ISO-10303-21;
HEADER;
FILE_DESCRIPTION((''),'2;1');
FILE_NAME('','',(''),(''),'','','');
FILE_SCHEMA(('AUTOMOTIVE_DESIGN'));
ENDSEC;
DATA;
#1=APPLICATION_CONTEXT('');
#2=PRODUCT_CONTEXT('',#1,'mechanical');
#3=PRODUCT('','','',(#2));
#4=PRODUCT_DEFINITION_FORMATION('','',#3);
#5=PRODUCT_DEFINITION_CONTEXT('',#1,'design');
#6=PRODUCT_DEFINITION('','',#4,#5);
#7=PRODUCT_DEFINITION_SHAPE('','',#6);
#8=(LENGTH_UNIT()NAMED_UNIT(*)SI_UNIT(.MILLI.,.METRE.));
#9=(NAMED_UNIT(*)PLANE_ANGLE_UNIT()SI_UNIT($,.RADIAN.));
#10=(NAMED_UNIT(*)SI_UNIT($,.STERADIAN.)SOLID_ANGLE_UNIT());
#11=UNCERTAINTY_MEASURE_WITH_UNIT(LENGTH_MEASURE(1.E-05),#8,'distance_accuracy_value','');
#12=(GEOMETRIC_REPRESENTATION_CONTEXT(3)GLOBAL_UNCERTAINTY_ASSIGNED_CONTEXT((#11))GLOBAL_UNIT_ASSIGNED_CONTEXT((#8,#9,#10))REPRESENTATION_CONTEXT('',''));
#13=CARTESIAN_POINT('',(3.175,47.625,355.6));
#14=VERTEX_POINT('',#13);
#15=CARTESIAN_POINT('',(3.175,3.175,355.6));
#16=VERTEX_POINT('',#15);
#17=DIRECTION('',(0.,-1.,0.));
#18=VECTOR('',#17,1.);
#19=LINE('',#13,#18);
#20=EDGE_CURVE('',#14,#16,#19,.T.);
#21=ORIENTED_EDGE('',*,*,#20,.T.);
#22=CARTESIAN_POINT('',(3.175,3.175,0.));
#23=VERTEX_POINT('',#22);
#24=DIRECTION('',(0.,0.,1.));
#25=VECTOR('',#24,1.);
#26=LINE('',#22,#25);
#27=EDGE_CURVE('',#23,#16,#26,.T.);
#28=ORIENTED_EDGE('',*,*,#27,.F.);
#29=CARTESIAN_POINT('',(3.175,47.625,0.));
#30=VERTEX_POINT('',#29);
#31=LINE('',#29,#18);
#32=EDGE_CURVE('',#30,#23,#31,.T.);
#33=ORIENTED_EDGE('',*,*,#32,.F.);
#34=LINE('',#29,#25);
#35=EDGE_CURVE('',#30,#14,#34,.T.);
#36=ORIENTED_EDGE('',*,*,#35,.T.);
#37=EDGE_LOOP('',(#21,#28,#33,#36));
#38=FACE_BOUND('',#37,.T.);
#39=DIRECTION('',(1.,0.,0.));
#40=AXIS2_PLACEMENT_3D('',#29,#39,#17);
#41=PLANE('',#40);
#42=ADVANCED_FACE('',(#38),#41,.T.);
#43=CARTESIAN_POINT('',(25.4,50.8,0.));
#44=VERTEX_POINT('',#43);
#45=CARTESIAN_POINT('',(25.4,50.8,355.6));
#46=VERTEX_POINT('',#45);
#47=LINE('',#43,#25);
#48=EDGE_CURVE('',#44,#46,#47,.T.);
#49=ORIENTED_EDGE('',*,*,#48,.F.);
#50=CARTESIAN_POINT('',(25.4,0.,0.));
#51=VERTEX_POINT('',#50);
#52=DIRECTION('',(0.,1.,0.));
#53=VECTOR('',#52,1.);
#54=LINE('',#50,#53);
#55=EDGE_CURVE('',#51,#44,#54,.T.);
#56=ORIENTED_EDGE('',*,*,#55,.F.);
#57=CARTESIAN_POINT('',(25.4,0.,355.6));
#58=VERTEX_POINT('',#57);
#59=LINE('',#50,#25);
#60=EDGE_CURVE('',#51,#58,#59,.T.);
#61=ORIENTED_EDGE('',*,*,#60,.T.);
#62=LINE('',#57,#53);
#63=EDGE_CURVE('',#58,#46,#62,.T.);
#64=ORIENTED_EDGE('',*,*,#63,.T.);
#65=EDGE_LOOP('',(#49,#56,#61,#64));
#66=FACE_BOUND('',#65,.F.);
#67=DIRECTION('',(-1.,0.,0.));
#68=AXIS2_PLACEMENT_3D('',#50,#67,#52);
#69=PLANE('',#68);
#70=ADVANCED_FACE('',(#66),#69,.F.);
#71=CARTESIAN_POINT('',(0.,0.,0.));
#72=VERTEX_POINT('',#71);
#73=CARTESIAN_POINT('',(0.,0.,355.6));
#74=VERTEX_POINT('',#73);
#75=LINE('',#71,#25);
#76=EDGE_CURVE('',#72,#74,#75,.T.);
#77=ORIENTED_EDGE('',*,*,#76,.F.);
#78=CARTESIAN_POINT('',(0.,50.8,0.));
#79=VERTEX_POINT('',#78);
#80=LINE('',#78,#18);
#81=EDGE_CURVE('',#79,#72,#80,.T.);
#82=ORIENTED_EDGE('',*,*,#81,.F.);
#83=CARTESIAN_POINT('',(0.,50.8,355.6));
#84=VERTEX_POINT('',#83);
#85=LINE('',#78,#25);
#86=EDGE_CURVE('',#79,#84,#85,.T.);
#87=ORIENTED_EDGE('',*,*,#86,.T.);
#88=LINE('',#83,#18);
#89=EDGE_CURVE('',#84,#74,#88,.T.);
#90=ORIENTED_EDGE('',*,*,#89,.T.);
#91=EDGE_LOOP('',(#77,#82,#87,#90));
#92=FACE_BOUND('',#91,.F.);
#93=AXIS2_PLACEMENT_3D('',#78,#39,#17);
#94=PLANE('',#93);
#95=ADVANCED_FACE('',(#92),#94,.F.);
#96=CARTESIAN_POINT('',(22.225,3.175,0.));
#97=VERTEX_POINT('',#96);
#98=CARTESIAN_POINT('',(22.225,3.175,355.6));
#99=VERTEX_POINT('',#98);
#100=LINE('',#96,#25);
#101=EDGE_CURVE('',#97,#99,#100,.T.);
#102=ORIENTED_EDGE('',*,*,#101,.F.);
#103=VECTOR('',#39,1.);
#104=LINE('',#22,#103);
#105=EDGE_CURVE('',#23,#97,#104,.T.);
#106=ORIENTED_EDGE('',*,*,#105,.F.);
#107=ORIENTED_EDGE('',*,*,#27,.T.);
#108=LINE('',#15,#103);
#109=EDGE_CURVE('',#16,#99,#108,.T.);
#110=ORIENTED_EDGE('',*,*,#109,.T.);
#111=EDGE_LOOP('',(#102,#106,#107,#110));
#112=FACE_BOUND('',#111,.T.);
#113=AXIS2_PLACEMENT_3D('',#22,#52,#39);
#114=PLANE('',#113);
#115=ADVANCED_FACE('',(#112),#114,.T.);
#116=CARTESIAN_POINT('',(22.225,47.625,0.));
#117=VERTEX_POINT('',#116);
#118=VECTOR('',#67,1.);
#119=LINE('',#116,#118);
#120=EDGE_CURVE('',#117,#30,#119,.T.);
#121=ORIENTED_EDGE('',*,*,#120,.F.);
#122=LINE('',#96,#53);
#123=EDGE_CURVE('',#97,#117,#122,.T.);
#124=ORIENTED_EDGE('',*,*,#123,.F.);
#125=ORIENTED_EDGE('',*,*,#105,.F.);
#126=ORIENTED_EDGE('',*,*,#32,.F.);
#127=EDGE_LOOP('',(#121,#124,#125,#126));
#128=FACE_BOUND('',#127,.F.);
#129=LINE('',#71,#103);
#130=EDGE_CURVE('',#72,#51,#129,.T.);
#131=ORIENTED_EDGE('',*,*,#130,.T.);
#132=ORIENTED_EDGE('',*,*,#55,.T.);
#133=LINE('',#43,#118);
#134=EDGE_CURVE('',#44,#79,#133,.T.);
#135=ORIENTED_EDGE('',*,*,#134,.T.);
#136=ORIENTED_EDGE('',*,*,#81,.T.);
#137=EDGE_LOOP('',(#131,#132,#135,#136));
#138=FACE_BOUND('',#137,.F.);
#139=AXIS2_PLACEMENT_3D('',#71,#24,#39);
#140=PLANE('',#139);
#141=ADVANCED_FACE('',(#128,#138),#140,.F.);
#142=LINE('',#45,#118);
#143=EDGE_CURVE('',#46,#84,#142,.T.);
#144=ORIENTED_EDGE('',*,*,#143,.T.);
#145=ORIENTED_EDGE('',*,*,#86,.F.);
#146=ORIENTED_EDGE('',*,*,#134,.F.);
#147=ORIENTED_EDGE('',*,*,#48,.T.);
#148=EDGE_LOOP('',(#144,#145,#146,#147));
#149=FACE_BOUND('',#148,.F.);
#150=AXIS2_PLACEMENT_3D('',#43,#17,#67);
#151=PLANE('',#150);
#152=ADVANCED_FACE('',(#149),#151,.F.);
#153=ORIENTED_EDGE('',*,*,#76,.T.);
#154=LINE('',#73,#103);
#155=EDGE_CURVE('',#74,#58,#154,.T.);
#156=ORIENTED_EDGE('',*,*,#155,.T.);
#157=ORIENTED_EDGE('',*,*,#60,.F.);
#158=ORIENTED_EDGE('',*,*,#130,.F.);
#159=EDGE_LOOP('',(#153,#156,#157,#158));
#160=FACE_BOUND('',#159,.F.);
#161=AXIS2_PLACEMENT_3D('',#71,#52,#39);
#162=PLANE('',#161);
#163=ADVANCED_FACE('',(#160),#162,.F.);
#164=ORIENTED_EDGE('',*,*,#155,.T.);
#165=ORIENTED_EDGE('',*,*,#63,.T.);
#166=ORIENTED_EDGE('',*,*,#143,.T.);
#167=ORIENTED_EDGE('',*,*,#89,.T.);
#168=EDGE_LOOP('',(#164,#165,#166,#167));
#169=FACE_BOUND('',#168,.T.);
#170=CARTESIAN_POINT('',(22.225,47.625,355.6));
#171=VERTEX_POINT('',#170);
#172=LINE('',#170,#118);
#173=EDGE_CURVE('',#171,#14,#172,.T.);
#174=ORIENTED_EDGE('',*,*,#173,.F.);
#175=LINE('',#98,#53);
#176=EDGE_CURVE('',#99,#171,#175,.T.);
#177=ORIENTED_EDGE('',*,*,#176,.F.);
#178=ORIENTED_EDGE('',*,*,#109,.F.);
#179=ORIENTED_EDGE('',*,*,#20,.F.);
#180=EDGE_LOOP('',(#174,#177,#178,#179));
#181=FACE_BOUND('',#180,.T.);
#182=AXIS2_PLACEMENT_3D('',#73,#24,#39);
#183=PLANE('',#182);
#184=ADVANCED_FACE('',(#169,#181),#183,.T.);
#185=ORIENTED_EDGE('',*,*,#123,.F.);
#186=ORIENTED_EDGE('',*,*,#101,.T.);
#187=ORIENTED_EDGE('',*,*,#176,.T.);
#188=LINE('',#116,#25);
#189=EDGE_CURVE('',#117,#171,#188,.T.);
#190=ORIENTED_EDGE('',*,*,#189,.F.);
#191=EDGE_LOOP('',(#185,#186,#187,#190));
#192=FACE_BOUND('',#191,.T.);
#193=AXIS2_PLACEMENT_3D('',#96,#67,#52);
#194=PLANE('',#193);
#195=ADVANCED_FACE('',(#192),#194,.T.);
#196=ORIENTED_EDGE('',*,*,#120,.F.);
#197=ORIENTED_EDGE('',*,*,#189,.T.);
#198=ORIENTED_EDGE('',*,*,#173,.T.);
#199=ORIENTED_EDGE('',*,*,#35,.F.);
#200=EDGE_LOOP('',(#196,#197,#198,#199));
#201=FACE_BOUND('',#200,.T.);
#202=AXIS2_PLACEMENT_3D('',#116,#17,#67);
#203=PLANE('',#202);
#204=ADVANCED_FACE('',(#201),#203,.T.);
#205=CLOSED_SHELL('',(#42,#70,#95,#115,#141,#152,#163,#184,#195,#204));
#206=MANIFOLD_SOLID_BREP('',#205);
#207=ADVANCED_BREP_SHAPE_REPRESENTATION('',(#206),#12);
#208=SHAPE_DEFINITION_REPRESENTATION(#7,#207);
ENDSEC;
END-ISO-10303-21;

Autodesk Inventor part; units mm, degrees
ref_plane "YZ Plane" through (0, 0, 0) normal (1, 0, 0) x (0, 1, 0)
ref_plane "XZ Plane" through (0, 0, 0) normal (0, 1, 0) x (-1, 0, 0)
ref_plane "XY Plane" through (0, 0, 0) normal (0, 0, 1) x (1, 0, 0)
sketch "Sketch1" plane through (0, 0, 0) normal (0, 0, 1) x (1, 0, 0)
  line L0 (0, 0) -> (25.4, 0)
  line L1 (25.4, 0) -> (25.4, 50.8)
  line L2 (25.4, 50.8) -> (0, 50.8)
  line L3 (0, 50.8) -> (0, 0)
  line L4 (3.175, 3.175) -> (22.225, 3.175)
  line L5 (22.225, 3.175) -> (22.225, 47.625)
  line L6 (22.225, 47.625) -> (3.175, 47.625)
  line L7 (3.175, 47.625) -> (3.175, 3.175)
  dimension "d0" = 50.8
  dimension "d1" = 25.4
  dimension "d2" = 3.175
  dimension "d3" = 3.175
  dimension "d4" = 3.175
  dimension "d5" = 3.175
extrude "Extrusion1" add sketch "Sketch1" along normal blind 355.6
equation "\"d2\" = d3"
equation "\"d3\" = d4"
equation "\"d4\" = d5"
properties part number "frame box 1 by 2"
